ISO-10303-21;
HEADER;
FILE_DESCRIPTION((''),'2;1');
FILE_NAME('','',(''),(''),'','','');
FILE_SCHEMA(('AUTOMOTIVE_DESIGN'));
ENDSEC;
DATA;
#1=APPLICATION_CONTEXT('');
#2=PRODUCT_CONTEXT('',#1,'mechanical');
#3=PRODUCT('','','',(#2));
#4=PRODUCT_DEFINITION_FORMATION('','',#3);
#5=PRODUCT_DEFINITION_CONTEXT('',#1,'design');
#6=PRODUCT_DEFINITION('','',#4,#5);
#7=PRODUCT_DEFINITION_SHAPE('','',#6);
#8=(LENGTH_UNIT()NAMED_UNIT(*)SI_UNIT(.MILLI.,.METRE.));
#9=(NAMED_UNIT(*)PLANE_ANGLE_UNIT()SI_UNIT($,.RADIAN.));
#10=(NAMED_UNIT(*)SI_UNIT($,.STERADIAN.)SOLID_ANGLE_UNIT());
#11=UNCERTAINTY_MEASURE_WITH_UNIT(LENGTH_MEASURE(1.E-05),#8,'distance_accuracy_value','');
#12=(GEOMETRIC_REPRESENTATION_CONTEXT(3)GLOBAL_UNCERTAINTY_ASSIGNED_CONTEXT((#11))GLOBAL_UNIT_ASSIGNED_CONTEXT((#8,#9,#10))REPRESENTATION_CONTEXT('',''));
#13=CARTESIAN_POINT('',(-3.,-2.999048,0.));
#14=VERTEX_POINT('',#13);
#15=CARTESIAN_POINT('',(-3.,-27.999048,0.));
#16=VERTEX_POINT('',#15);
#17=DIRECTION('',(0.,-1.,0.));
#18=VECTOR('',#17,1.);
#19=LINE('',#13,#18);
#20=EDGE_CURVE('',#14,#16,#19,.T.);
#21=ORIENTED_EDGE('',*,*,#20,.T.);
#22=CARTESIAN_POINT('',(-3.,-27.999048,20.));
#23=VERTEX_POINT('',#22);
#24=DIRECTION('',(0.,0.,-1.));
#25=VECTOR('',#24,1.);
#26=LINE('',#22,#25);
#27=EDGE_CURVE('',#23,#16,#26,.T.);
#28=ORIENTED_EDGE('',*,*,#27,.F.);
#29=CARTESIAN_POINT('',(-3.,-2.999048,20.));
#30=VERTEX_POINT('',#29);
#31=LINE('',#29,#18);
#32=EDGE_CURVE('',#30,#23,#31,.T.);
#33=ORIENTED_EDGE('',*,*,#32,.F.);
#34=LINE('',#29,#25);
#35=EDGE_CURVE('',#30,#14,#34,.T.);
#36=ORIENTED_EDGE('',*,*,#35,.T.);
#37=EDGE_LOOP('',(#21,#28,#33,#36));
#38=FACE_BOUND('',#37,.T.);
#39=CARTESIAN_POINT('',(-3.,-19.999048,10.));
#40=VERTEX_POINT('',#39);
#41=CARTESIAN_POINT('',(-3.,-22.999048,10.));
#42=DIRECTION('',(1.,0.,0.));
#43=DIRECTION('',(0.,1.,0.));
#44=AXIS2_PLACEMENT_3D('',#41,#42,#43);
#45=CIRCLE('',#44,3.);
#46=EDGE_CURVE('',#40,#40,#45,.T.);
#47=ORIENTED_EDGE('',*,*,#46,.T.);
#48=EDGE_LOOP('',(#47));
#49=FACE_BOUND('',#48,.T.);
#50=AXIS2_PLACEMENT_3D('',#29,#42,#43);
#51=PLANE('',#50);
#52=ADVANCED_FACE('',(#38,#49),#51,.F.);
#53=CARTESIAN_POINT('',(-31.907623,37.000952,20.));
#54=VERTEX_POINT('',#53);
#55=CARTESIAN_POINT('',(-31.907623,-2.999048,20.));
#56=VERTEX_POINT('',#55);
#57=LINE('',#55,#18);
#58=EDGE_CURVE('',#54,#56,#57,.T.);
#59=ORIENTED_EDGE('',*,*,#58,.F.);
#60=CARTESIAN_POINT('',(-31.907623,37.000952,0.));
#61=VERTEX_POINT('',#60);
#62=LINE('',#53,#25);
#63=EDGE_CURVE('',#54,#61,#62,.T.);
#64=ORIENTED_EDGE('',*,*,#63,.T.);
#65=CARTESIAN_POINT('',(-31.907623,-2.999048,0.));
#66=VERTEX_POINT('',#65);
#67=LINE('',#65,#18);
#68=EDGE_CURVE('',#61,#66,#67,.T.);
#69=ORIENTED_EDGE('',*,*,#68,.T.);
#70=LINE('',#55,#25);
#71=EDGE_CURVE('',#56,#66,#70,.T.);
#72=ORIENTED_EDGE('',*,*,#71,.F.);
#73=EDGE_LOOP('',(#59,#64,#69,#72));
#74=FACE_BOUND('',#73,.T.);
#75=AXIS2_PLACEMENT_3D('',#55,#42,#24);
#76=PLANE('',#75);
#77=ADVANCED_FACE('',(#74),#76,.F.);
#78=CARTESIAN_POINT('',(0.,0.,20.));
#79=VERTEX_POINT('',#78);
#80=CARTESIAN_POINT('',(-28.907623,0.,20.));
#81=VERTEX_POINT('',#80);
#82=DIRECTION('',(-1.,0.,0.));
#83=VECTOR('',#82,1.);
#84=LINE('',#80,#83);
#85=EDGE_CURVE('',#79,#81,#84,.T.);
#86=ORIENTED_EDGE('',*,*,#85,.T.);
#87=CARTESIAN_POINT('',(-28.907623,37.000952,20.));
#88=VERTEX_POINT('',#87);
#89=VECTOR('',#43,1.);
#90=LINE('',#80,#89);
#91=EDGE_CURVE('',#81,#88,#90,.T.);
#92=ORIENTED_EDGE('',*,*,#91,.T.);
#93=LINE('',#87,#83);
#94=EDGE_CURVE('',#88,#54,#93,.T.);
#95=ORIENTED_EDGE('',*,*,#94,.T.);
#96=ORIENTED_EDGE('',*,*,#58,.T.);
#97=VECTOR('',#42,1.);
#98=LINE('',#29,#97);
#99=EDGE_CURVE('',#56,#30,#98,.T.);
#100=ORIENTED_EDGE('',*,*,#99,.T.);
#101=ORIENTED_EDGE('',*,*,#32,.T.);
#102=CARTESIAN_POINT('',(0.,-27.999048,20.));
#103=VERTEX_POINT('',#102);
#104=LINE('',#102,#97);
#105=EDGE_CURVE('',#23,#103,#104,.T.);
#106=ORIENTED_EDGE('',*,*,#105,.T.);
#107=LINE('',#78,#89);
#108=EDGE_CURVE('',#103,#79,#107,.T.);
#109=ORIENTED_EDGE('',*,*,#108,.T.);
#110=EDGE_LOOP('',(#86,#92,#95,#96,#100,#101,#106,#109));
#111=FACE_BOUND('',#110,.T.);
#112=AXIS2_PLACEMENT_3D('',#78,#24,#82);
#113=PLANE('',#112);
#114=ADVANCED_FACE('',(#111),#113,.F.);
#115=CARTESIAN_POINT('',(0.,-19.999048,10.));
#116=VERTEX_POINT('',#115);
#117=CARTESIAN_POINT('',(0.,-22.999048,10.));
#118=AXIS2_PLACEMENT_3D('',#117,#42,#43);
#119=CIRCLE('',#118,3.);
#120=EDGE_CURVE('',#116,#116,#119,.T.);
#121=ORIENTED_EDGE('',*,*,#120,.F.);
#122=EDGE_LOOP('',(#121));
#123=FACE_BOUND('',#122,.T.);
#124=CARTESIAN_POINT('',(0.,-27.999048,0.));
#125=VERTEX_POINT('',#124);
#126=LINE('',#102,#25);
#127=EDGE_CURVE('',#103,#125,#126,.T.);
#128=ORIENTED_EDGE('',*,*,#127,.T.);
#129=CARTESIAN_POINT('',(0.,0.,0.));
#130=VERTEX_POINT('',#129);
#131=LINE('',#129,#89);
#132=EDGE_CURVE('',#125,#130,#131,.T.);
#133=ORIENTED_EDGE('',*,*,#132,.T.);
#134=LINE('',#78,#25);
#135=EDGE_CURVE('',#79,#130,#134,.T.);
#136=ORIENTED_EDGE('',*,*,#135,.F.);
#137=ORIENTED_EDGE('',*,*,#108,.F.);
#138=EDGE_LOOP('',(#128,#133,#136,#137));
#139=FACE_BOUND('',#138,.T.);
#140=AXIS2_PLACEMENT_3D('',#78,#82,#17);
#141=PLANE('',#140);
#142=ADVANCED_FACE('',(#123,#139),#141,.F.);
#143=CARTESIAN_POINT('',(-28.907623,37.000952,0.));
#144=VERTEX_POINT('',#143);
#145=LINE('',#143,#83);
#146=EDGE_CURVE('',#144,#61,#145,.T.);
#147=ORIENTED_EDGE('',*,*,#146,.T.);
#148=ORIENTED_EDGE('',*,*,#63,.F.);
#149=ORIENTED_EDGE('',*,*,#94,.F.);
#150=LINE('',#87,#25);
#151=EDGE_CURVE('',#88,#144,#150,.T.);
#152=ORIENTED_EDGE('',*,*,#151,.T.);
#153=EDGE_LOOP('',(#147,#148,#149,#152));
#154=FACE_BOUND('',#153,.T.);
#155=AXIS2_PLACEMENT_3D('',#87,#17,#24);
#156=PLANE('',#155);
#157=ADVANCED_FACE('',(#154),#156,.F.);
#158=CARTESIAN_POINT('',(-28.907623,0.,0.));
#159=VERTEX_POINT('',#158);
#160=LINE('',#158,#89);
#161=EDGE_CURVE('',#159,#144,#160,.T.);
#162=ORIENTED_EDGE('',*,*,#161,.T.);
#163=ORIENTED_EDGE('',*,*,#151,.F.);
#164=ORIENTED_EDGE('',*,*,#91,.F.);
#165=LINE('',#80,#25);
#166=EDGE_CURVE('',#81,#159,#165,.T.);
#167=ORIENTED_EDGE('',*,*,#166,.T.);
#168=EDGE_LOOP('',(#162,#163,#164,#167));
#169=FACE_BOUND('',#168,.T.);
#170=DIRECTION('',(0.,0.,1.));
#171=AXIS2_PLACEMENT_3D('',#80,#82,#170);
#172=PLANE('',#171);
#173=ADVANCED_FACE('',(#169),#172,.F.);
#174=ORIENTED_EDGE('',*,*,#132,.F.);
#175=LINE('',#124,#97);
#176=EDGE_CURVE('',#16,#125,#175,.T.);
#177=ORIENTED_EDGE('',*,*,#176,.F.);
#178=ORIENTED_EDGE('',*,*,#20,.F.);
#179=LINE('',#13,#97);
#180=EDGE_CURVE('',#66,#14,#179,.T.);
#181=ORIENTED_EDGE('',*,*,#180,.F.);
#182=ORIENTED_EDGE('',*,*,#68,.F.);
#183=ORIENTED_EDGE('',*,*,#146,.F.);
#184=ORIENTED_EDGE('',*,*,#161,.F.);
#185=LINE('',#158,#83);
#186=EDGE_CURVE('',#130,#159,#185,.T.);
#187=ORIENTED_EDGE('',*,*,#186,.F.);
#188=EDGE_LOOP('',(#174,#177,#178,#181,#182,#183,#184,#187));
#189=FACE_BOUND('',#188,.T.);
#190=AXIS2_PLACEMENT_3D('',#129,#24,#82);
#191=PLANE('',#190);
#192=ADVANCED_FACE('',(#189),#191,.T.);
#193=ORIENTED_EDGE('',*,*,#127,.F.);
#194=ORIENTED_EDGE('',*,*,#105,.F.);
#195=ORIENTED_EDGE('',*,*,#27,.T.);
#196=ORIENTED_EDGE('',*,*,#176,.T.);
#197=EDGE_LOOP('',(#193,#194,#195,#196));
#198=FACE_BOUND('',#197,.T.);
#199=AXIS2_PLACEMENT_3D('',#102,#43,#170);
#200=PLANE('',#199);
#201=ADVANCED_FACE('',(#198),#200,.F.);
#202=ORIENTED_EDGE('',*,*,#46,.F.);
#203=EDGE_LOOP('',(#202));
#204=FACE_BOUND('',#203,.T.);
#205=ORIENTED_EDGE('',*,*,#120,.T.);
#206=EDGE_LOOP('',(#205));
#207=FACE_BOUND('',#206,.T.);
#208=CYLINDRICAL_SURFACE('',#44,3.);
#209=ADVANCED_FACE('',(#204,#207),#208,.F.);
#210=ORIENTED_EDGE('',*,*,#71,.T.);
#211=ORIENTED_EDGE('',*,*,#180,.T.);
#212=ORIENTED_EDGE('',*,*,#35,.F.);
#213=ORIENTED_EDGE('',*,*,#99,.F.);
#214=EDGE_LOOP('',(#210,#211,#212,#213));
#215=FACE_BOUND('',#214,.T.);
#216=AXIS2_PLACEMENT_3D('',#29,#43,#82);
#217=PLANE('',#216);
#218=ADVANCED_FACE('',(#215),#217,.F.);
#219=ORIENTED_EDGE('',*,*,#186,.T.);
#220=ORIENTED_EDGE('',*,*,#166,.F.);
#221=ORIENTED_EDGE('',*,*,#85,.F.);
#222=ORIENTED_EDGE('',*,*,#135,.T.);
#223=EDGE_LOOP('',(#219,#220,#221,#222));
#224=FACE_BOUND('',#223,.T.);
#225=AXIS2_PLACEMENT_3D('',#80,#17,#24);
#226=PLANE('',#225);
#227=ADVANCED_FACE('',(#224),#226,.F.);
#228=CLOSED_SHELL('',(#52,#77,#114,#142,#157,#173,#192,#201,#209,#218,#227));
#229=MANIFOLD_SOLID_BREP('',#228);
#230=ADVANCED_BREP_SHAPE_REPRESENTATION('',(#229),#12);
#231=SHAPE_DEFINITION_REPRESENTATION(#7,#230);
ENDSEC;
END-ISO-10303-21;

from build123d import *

# Parameters (mm, degrees)
BOSS_EXTRUDE1_DEPTH = 20
SKETCH3_R           = 3
CUT_EXTRUDE2_DEPTH  = 3


with BuildPart() as part:
    # Sketch1 → Boss-Extrude1 (new body)
    with BuildSketch(Plane.XY):
        Polygon((0, 0), (0, -27.999047944), (-3, -27.999047944), (-3, -2.999047944), (-31.907622925, -2.999047944), (-31.907622925, 37.000952056), (-28.907622925, 37.000952056), (-28.907622925, 0), align=None)
    extrude(amount=BOSS_EXTRUDE1_DEPTH)

    # Sketch3 → Cut-Extrude2 (cut)
    with BuildSketch(Plane(origin=(0, 0, 0), x_dir=(0, 0, -1), z_dir=(1, 0, 0))):
        with Locations(Location((-10, -22.999047944, 0), (0, 0, 90))):
            Circle(SKETCH3_R)
    extrude(amount=-CUT_EXTRUDE2_DEPTH, mode=Mode.SUBTRACT)


solid = part.part
